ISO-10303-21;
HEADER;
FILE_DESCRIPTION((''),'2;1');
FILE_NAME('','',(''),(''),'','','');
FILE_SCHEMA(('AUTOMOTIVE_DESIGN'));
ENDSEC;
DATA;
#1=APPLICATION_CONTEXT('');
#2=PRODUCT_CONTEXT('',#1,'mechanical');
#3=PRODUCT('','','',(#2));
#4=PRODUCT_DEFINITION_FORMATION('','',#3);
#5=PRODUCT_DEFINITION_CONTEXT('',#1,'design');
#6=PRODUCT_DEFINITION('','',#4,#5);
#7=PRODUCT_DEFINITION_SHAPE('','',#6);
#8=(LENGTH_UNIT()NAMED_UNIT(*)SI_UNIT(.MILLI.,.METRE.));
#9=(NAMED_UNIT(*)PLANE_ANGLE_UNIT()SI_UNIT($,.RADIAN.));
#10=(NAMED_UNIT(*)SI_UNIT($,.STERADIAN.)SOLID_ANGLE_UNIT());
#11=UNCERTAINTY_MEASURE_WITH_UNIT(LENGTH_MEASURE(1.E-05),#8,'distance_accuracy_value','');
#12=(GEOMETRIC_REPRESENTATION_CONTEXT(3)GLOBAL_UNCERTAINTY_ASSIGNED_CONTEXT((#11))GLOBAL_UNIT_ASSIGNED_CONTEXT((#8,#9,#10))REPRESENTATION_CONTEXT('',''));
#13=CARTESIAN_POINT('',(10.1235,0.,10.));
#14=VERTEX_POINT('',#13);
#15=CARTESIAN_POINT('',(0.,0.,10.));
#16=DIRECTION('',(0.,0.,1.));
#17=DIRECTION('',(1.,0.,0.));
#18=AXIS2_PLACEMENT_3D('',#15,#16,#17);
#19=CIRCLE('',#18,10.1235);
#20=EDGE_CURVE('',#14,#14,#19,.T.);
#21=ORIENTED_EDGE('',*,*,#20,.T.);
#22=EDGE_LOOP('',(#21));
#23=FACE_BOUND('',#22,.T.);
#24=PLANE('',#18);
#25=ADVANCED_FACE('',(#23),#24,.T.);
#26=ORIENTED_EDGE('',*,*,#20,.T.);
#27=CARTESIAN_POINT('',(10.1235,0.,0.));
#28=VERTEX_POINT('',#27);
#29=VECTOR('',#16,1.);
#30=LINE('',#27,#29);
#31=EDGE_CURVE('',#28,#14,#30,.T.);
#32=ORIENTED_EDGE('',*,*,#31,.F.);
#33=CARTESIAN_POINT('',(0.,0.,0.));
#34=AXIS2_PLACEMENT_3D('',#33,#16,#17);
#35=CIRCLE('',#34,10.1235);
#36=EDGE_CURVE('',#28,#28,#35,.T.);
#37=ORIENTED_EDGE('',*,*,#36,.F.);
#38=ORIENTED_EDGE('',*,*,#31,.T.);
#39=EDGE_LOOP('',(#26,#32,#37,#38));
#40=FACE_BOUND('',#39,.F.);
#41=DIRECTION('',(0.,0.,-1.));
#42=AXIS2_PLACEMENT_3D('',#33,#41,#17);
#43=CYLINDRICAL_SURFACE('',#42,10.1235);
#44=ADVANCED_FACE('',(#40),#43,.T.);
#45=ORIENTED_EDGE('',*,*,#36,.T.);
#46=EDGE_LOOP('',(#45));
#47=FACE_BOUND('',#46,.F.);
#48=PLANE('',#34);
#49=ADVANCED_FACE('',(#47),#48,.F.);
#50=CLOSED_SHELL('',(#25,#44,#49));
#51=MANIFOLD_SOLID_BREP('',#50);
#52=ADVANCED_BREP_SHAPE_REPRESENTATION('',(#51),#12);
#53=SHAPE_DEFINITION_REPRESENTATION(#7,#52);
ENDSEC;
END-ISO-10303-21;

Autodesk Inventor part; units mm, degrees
ref_plane "YZ Plane" through (0, 0, 0) normal (1, 0, 0) x (0, 1, 0)
ref_plane "XZ Plane" through (0, 0, 0) normal (0, 1, 0) x (-1, 0, 0)
ref_plane "XY Plane" through (0, 0, 0) normal (0, 0, 1) x (1, 0, 0)
sketch "Sketch1" plane through (0, 0, 0) normal (0, 0, 1) x (1, 0, 0)
  circle A0 centre (0, 0) radius 10.1235
  dimension "d0" = 10.1235
extrude "Extrusion1" add sketch "Sketch1" along normal blind 10
properties part number "AC_Cylinder_9DecRadius"
